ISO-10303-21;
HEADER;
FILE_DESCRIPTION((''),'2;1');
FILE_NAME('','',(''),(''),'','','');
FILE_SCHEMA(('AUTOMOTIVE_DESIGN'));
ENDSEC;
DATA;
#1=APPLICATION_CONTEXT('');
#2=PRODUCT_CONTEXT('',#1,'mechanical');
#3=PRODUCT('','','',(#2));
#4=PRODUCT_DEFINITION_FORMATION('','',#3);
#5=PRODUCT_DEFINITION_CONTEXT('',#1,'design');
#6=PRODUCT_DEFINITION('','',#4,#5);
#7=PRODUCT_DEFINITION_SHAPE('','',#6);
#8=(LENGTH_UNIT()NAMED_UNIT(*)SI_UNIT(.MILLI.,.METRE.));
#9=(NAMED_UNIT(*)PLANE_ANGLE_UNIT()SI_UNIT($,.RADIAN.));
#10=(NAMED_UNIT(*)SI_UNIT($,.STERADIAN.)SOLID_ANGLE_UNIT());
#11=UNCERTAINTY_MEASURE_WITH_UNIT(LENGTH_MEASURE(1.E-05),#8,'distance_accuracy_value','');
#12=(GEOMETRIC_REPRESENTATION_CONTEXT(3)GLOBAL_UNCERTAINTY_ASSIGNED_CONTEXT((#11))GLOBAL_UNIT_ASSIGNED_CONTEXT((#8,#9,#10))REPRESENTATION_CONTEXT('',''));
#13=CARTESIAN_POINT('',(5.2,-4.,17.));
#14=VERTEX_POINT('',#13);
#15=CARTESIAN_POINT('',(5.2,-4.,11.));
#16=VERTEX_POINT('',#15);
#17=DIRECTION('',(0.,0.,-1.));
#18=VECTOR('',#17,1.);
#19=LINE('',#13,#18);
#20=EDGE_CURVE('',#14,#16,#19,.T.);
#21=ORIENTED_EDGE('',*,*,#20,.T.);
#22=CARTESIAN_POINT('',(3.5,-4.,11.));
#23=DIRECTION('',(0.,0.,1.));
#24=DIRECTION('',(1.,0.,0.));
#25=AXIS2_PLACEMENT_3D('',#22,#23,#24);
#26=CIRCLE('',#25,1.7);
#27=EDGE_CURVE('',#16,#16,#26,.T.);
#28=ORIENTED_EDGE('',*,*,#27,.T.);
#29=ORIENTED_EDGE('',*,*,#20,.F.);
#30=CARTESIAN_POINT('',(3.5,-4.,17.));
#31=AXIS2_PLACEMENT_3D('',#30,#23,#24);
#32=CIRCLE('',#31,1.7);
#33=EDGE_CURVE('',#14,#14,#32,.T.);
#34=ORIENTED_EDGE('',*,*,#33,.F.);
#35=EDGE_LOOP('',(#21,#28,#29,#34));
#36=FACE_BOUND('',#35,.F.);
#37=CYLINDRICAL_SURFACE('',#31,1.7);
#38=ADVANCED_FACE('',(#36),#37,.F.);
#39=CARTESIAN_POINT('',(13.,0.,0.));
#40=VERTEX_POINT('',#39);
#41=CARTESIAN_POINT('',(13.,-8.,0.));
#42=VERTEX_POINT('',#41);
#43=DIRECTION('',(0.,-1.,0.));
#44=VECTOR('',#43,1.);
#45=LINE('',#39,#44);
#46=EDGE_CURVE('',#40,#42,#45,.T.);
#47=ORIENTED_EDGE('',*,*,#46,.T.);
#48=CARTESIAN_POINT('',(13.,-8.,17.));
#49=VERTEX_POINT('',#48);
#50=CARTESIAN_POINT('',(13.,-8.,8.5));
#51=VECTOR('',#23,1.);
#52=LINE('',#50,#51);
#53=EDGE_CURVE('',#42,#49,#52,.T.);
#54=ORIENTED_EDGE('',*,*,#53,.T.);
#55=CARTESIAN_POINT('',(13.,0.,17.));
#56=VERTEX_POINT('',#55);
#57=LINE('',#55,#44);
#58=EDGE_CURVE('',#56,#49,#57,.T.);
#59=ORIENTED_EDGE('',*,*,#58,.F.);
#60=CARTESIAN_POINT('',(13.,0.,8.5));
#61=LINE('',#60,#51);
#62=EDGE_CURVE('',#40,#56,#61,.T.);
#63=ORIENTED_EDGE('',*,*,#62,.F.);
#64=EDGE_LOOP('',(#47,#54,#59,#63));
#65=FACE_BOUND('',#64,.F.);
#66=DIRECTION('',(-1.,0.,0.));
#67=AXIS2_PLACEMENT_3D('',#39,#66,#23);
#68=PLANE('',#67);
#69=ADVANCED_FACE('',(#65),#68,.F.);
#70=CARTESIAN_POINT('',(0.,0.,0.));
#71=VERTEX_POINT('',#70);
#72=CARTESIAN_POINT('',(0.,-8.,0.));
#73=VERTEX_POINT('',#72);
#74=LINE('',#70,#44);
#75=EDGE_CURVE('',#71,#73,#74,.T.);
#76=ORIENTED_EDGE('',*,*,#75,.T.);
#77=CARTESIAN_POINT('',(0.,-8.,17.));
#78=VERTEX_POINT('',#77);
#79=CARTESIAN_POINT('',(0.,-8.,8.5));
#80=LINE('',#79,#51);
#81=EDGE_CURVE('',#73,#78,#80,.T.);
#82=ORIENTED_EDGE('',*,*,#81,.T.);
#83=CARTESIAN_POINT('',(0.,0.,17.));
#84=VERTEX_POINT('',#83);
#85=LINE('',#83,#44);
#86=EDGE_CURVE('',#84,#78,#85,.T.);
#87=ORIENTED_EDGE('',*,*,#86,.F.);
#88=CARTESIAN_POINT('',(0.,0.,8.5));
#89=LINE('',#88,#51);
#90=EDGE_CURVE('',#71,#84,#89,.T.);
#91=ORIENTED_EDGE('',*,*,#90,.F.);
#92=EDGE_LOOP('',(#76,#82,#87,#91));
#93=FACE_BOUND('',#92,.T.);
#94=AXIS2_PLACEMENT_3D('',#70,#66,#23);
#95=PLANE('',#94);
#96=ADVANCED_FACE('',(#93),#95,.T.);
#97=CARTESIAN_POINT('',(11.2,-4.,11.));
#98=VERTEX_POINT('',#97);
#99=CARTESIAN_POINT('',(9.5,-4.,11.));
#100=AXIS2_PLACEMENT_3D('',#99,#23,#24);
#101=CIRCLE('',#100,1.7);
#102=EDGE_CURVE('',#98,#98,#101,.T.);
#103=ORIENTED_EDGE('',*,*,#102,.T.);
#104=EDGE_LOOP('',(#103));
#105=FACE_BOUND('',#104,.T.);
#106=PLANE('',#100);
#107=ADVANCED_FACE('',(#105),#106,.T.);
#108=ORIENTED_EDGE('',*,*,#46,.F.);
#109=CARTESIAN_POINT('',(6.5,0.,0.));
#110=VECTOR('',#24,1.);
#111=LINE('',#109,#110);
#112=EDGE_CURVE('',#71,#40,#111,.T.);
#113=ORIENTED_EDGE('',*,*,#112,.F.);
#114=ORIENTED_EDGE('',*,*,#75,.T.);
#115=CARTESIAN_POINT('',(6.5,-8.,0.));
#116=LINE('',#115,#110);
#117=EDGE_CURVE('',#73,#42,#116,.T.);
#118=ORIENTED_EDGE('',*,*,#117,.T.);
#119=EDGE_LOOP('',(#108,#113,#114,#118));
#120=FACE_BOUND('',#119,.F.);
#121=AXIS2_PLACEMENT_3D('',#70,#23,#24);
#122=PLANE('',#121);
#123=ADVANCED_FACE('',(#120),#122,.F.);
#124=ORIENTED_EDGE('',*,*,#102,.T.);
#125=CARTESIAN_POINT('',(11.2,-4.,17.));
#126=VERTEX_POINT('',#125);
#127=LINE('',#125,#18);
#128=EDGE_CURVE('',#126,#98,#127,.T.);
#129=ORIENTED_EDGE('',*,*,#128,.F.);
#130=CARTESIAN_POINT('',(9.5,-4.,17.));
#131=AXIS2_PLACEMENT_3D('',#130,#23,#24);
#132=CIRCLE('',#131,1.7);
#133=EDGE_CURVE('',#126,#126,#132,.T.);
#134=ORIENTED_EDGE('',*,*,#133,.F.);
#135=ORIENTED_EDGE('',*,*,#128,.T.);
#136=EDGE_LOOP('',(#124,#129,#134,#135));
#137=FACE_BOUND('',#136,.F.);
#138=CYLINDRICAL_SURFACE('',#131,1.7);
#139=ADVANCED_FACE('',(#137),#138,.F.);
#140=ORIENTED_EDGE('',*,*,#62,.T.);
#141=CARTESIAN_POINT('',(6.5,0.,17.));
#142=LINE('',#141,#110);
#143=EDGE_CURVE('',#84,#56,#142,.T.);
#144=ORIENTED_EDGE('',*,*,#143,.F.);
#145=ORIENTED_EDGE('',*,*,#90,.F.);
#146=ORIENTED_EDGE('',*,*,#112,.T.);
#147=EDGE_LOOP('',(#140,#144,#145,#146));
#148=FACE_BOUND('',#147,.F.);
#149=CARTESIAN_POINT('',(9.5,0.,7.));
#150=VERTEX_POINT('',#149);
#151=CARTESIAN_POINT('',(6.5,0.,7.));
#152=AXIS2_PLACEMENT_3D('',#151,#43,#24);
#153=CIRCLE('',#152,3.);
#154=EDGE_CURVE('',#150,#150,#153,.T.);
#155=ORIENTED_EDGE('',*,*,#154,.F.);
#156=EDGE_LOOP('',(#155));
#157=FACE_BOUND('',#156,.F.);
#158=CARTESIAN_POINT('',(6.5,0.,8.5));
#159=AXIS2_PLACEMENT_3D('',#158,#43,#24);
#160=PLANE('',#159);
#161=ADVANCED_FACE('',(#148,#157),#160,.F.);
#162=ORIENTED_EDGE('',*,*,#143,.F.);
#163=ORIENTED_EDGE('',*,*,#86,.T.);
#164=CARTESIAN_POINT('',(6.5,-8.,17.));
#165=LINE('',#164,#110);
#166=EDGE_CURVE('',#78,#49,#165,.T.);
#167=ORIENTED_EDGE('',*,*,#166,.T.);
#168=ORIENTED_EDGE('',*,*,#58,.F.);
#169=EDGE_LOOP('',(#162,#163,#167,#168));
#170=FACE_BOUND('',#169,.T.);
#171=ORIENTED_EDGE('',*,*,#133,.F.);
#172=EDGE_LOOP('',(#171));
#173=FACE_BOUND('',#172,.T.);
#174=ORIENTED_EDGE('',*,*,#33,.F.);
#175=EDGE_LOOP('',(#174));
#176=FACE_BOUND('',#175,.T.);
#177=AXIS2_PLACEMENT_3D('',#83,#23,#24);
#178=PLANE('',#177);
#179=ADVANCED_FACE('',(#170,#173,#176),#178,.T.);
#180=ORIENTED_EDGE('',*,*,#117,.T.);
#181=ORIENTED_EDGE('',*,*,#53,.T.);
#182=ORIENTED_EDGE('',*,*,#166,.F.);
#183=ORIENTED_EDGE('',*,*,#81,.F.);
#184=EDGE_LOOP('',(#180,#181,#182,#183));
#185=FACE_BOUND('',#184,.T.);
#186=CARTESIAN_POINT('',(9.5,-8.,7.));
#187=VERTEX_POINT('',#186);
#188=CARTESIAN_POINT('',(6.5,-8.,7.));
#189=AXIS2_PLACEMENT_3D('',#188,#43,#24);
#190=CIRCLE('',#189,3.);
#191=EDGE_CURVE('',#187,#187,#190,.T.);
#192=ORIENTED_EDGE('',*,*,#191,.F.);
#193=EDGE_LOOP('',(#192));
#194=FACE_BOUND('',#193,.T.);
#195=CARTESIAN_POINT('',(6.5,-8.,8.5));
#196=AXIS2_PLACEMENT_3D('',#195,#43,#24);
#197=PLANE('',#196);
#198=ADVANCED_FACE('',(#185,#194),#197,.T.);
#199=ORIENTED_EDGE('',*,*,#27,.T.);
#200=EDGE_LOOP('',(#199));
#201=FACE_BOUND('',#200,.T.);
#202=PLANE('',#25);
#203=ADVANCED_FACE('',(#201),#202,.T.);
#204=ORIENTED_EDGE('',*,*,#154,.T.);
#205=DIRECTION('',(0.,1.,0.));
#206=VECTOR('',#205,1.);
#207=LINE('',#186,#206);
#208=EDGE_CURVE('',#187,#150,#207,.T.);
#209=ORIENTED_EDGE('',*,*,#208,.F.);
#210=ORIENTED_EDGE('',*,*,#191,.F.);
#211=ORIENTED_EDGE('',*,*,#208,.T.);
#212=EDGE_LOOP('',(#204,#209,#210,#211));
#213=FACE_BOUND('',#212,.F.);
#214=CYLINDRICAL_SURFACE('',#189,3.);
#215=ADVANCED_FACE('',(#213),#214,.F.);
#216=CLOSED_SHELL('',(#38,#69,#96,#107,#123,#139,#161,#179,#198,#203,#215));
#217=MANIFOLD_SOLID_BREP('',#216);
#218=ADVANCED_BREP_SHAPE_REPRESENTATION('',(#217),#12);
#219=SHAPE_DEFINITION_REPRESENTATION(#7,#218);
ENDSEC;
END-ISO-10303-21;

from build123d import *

# Parameters (mm, degrees)
F0_W     = 13
F0_H     = 17
F1_DEPTH = 8
F2_R     = 1.7
F3_DEPTH = 6
F4_R     = 3
F5_DEPTH = 25


with BuildPart() as f1:
    # F0 (on Front) → F1 (new body)
    with BuildSketch(Plane.XZ):
        with Locations((6.5, 8.5)):
            Rectangle(F0_W, F0_H)
    extrude(amount=F1_DEPTH)

    # F2 (on face) → F3 (cut)
    with BuildSketch(Plane.XY.offset(17)):
        with Locations((3.5, -4)):
            Circle(F2_R)
        with Locations((9.5, -4)):
            Circle(F2_R)
    extrude(amount=-F3_DEPTH, mode=Mode.SUBTRACT)

    # F4 (on face) → F5 (cut)
    with BuildSketch(Plane.XZ.offset(8)):
        with Locations((6.5, 7)):
            Circle(F4_R)
    extrude(amount=-F5_DEPTH, mode=Mode.SUBTRACT)


solid = f1.part
